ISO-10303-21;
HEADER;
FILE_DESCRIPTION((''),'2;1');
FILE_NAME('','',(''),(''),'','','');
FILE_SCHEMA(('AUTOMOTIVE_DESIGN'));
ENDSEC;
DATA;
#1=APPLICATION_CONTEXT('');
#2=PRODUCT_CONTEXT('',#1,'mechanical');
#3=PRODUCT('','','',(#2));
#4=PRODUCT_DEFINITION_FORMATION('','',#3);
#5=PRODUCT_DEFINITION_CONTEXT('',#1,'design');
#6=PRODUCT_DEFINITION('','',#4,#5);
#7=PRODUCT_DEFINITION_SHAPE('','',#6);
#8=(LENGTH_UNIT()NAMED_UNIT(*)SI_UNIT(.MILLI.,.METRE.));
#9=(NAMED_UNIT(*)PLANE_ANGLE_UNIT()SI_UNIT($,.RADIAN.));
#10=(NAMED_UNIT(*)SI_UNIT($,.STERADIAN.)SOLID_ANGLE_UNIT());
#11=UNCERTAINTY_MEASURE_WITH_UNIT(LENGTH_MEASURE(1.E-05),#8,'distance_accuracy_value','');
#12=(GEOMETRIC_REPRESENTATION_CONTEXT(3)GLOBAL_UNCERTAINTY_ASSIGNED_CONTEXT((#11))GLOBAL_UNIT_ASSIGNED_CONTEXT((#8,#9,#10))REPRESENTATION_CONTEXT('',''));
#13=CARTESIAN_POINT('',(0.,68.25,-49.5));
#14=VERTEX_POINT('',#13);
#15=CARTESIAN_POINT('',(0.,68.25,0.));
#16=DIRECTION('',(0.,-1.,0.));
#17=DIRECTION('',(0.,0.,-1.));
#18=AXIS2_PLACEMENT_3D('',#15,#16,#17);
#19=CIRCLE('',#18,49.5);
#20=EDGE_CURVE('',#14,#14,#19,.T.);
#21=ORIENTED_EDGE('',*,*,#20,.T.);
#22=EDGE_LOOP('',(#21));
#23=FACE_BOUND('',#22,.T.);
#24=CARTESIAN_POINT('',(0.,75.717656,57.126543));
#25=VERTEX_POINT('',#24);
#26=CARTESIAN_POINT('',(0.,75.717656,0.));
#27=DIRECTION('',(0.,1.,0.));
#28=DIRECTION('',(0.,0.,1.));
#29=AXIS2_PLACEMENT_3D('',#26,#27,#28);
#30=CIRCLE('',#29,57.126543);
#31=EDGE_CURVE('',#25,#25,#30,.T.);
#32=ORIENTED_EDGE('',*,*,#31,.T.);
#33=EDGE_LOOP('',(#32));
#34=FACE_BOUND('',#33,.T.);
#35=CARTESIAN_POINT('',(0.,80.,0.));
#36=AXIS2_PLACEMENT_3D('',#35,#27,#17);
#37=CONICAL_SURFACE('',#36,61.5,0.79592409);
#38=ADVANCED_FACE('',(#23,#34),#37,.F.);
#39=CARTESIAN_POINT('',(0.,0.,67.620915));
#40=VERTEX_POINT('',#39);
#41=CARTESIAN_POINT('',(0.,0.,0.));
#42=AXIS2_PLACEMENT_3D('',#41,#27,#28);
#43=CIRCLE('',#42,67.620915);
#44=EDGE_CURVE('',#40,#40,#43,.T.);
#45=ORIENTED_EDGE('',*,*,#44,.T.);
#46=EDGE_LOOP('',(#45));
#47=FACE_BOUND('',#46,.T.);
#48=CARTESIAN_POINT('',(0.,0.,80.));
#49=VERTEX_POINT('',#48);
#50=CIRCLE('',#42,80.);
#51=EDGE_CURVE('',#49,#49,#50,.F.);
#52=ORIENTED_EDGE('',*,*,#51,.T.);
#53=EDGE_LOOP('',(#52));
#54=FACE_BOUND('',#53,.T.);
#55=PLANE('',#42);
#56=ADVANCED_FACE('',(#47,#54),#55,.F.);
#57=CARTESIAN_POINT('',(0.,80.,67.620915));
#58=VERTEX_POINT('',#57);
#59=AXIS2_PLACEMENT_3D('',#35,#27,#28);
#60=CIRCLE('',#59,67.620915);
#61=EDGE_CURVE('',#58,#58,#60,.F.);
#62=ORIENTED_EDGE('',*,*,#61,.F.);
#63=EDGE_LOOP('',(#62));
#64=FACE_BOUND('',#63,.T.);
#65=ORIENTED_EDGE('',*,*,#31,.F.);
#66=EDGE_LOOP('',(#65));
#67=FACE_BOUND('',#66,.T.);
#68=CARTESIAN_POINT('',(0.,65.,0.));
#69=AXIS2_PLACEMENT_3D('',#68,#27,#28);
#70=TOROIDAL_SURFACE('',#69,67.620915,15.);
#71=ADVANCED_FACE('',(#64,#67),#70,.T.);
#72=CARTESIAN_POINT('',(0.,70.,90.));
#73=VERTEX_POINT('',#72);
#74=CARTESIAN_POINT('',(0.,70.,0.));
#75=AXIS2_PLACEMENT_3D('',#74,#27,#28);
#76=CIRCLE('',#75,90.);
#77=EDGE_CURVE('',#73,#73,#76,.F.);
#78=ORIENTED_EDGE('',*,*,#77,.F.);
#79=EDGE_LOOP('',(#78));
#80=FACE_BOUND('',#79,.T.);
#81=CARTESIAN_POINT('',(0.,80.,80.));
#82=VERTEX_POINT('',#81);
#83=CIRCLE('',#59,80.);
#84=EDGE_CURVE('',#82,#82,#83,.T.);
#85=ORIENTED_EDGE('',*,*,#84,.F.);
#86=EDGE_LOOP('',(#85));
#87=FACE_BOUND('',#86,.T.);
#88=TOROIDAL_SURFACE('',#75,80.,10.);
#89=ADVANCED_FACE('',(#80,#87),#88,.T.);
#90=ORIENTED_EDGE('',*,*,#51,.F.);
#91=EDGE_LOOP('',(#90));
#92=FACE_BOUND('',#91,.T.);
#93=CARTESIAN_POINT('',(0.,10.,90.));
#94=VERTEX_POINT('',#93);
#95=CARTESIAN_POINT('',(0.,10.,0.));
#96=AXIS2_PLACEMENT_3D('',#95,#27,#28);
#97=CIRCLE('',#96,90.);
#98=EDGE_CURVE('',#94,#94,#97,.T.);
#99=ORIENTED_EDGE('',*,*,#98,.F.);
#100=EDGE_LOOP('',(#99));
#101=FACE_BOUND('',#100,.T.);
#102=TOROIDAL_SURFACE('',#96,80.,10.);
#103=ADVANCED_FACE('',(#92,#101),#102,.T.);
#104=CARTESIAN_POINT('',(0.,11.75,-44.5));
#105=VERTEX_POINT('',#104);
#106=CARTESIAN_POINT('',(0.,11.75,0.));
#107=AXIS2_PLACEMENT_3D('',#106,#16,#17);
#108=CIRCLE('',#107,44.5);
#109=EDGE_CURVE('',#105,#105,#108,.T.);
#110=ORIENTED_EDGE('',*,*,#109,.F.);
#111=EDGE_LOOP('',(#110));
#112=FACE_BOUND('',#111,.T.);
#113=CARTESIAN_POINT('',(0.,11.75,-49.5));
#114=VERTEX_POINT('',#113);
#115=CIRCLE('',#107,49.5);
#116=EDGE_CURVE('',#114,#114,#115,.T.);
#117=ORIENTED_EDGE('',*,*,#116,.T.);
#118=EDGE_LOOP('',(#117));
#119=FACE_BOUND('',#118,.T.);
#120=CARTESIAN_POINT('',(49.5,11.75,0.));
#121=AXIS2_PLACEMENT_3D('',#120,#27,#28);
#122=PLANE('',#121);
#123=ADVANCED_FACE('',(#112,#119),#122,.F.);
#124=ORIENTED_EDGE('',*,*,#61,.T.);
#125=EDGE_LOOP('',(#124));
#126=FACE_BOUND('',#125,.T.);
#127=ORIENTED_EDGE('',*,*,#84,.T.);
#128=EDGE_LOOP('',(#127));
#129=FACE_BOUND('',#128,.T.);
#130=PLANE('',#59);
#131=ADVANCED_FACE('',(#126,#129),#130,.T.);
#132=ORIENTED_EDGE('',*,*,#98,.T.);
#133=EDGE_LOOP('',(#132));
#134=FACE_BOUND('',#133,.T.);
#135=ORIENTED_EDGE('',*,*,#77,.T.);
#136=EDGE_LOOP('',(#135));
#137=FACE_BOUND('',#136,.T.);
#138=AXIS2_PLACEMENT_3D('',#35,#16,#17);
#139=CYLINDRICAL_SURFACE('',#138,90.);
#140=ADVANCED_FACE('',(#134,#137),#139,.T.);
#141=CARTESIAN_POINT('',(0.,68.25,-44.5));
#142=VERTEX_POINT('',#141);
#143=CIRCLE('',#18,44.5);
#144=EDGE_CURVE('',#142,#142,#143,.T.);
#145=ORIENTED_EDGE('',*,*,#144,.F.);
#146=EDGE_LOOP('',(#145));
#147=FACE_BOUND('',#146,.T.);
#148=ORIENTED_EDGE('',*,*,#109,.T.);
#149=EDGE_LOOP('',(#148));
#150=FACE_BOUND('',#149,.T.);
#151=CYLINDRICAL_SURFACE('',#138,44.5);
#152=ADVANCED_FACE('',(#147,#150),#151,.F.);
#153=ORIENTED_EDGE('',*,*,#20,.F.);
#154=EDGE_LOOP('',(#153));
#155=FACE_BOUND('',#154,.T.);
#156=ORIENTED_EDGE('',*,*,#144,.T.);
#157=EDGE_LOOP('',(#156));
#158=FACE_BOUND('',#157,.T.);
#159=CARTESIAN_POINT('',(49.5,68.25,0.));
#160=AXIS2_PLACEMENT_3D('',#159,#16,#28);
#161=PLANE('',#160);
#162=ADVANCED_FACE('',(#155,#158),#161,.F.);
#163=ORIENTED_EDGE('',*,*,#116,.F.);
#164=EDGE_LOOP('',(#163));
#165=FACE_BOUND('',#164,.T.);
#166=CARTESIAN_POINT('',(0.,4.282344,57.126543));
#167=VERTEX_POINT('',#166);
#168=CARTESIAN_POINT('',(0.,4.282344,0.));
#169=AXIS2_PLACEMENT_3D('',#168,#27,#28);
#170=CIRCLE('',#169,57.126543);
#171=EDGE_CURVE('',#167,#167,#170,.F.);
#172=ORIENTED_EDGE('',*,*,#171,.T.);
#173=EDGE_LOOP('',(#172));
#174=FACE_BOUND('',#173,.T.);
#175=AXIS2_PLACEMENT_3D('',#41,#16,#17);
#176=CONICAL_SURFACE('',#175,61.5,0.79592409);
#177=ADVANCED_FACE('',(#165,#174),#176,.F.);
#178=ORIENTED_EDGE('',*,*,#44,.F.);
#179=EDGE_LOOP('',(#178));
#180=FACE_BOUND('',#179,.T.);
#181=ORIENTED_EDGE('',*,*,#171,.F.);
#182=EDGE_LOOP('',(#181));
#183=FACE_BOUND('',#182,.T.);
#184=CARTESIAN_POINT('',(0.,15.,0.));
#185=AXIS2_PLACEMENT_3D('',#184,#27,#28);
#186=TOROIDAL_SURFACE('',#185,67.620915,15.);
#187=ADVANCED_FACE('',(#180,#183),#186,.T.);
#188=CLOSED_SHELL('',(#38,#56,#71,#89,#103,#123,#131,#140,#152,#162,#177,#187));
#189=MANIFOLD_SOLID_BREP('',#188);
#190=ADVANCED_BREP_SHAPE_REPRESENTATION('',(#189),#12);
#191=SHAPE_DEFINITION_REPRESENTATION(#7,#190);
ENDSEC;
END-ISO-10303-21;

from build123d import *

# Parameters (mm, degrees)
SKETCH1_R           = 90
SKETCH1_R_2         = 44.5
BOSS_EXTRUDE1_DEPTH = 80
FILLET1_R           = 15
FILLET2_R           = 10


with BuildPart() as part:
    # Sketch1 → Boss-Extrude1 (new body)
    with BuildSketch(Plane(origin=(0, 0, 0), x_dir=(1, 0, 0), z_dir=(0, 1, 0))):
        Circle(SKETCH1_R)
        Circle(SKETCH1_R_2, mode=Mode.SUBTRACT)
    extrude(amount=BOSS_EXTRUDE1_DEPTH)

    # Sketch2 → Cut-Revolve1 (revolve, cut)
    with BuildSketch(Plane.XY):
        Polygon((61.5, 0), (49.5, 11.75), (44.5, 11.75), (44.5, 0), align=None)
    cut_revolve1 = revolve(axis=Axis((0, 0, 0), (0, 1, 0)), mode=Mode.SUBTRACT)

    # Mirror1: Cut-Revolve1 across plane
    add(cut_revolve1.mirror(Plane(origin=(0, 40, 0), x_dir=(0, 0, 1), z_dir=(0, -1, 0))), mode=Mode.SUBTRACT)

    # Fillet1
    fillet1_edges = [part.edges().sort_by_distance(p)[0] for p in [
        (-61.5, 0, 0),
        (-61.5, 80, 0),
    ]]
    fillet(fillet1_edges, radius=FILLET1_R)

    # Fillet2
    fillet2_edges = [part.edges().sort_by_distance(p)[0] for p in [
        (-90, 0, 0),
        (-90, 80, 0),
    ]]
    fillet(fillet2_edges, radius=FILLET2_R)


solid = part.part
